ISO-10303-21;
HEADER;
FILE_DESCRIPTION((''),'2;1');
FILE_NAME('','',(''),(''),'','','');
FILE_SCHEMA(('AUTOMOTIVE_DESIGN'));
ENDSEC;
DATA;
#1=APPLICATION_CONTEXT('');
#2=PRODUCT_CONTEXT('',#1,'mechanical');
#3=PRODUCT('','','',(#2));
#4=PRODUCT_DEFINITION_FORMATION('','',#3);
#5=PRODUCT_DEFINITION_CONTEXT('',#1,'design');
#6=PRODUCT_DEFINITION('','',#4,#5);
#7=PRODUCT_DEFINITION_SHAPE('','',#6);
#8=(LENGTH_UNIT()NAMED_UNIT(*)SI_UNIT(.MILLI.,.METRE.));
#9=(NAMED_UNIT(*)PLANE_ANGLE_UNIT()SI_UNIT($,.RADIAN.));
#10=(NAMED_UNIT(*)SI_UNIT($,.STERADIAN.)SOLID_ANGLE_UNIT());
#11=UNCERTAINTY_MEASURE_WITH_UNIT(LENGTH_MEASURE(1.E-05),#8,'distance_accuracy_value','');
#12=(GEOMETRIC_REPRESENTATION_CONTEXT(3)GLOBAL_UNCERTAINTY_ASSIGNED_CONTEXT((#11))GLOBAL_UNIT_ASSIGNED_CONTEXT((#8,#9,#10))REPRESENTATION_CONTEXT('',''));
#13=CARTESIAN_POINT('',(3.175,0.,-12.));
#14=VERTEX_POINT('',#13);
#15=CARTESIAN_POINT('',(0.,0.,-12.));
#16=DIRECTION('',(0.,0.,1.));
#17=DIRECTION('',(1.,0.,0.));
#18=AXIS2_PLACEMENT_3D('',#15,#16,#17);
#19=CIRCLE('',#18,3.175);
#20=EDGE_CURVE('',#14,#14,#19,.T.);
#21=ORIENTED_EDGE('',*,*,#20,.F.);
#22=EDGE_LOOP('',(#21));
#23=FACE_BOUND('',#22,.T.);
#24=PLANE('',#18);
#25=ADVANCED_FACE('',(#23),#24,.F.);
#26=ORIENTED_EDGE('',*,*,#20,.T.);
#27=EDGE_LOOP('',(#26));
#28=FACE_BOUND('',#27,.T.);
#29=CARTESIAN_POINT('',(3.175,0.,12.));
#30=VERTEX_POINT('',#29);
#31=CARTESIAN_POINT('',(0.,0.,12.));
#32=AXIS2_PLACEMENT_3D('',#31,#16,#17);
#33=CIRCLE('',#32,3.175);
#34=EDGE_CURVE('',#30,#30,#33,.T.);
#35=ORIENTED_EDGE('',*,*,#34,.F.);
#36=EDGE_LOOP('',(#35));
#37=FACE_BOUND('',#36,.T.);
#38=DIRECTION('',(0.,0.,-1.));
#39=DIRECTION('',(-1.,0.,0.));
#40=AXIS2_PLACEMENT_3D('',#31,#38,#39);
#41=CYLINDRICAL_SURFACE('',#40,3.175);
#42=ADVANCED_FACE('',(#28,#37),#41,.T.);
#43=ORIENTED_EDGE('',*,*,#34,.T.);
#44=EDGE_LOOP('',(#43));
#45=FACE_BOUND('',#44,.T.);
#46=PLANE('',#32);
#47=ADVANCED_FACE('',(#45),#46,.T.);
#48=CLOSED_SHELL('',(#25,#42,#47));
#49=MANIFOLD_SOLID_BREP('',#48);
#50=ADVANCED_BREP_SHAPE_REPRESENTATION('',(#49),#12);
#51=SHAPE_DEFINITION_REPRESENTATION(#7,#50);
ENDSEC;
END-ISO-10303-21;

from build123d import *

# Parameters (mm, degrees)
CROQUIS1_R              = 3.175
SALIENTE_EXTRUIR1_DEPTH = 12


with BuildPart() as part:
    # Croquis1 → Saliente-Extruir1 (new, symmetric)
    with BuildSketch(Plane.XY):
        Circle(CROQUIS1_R)
    extrude(amount=SALIENTE_EXTRUIR1_DEPTH, both=True)


solid = part.part
